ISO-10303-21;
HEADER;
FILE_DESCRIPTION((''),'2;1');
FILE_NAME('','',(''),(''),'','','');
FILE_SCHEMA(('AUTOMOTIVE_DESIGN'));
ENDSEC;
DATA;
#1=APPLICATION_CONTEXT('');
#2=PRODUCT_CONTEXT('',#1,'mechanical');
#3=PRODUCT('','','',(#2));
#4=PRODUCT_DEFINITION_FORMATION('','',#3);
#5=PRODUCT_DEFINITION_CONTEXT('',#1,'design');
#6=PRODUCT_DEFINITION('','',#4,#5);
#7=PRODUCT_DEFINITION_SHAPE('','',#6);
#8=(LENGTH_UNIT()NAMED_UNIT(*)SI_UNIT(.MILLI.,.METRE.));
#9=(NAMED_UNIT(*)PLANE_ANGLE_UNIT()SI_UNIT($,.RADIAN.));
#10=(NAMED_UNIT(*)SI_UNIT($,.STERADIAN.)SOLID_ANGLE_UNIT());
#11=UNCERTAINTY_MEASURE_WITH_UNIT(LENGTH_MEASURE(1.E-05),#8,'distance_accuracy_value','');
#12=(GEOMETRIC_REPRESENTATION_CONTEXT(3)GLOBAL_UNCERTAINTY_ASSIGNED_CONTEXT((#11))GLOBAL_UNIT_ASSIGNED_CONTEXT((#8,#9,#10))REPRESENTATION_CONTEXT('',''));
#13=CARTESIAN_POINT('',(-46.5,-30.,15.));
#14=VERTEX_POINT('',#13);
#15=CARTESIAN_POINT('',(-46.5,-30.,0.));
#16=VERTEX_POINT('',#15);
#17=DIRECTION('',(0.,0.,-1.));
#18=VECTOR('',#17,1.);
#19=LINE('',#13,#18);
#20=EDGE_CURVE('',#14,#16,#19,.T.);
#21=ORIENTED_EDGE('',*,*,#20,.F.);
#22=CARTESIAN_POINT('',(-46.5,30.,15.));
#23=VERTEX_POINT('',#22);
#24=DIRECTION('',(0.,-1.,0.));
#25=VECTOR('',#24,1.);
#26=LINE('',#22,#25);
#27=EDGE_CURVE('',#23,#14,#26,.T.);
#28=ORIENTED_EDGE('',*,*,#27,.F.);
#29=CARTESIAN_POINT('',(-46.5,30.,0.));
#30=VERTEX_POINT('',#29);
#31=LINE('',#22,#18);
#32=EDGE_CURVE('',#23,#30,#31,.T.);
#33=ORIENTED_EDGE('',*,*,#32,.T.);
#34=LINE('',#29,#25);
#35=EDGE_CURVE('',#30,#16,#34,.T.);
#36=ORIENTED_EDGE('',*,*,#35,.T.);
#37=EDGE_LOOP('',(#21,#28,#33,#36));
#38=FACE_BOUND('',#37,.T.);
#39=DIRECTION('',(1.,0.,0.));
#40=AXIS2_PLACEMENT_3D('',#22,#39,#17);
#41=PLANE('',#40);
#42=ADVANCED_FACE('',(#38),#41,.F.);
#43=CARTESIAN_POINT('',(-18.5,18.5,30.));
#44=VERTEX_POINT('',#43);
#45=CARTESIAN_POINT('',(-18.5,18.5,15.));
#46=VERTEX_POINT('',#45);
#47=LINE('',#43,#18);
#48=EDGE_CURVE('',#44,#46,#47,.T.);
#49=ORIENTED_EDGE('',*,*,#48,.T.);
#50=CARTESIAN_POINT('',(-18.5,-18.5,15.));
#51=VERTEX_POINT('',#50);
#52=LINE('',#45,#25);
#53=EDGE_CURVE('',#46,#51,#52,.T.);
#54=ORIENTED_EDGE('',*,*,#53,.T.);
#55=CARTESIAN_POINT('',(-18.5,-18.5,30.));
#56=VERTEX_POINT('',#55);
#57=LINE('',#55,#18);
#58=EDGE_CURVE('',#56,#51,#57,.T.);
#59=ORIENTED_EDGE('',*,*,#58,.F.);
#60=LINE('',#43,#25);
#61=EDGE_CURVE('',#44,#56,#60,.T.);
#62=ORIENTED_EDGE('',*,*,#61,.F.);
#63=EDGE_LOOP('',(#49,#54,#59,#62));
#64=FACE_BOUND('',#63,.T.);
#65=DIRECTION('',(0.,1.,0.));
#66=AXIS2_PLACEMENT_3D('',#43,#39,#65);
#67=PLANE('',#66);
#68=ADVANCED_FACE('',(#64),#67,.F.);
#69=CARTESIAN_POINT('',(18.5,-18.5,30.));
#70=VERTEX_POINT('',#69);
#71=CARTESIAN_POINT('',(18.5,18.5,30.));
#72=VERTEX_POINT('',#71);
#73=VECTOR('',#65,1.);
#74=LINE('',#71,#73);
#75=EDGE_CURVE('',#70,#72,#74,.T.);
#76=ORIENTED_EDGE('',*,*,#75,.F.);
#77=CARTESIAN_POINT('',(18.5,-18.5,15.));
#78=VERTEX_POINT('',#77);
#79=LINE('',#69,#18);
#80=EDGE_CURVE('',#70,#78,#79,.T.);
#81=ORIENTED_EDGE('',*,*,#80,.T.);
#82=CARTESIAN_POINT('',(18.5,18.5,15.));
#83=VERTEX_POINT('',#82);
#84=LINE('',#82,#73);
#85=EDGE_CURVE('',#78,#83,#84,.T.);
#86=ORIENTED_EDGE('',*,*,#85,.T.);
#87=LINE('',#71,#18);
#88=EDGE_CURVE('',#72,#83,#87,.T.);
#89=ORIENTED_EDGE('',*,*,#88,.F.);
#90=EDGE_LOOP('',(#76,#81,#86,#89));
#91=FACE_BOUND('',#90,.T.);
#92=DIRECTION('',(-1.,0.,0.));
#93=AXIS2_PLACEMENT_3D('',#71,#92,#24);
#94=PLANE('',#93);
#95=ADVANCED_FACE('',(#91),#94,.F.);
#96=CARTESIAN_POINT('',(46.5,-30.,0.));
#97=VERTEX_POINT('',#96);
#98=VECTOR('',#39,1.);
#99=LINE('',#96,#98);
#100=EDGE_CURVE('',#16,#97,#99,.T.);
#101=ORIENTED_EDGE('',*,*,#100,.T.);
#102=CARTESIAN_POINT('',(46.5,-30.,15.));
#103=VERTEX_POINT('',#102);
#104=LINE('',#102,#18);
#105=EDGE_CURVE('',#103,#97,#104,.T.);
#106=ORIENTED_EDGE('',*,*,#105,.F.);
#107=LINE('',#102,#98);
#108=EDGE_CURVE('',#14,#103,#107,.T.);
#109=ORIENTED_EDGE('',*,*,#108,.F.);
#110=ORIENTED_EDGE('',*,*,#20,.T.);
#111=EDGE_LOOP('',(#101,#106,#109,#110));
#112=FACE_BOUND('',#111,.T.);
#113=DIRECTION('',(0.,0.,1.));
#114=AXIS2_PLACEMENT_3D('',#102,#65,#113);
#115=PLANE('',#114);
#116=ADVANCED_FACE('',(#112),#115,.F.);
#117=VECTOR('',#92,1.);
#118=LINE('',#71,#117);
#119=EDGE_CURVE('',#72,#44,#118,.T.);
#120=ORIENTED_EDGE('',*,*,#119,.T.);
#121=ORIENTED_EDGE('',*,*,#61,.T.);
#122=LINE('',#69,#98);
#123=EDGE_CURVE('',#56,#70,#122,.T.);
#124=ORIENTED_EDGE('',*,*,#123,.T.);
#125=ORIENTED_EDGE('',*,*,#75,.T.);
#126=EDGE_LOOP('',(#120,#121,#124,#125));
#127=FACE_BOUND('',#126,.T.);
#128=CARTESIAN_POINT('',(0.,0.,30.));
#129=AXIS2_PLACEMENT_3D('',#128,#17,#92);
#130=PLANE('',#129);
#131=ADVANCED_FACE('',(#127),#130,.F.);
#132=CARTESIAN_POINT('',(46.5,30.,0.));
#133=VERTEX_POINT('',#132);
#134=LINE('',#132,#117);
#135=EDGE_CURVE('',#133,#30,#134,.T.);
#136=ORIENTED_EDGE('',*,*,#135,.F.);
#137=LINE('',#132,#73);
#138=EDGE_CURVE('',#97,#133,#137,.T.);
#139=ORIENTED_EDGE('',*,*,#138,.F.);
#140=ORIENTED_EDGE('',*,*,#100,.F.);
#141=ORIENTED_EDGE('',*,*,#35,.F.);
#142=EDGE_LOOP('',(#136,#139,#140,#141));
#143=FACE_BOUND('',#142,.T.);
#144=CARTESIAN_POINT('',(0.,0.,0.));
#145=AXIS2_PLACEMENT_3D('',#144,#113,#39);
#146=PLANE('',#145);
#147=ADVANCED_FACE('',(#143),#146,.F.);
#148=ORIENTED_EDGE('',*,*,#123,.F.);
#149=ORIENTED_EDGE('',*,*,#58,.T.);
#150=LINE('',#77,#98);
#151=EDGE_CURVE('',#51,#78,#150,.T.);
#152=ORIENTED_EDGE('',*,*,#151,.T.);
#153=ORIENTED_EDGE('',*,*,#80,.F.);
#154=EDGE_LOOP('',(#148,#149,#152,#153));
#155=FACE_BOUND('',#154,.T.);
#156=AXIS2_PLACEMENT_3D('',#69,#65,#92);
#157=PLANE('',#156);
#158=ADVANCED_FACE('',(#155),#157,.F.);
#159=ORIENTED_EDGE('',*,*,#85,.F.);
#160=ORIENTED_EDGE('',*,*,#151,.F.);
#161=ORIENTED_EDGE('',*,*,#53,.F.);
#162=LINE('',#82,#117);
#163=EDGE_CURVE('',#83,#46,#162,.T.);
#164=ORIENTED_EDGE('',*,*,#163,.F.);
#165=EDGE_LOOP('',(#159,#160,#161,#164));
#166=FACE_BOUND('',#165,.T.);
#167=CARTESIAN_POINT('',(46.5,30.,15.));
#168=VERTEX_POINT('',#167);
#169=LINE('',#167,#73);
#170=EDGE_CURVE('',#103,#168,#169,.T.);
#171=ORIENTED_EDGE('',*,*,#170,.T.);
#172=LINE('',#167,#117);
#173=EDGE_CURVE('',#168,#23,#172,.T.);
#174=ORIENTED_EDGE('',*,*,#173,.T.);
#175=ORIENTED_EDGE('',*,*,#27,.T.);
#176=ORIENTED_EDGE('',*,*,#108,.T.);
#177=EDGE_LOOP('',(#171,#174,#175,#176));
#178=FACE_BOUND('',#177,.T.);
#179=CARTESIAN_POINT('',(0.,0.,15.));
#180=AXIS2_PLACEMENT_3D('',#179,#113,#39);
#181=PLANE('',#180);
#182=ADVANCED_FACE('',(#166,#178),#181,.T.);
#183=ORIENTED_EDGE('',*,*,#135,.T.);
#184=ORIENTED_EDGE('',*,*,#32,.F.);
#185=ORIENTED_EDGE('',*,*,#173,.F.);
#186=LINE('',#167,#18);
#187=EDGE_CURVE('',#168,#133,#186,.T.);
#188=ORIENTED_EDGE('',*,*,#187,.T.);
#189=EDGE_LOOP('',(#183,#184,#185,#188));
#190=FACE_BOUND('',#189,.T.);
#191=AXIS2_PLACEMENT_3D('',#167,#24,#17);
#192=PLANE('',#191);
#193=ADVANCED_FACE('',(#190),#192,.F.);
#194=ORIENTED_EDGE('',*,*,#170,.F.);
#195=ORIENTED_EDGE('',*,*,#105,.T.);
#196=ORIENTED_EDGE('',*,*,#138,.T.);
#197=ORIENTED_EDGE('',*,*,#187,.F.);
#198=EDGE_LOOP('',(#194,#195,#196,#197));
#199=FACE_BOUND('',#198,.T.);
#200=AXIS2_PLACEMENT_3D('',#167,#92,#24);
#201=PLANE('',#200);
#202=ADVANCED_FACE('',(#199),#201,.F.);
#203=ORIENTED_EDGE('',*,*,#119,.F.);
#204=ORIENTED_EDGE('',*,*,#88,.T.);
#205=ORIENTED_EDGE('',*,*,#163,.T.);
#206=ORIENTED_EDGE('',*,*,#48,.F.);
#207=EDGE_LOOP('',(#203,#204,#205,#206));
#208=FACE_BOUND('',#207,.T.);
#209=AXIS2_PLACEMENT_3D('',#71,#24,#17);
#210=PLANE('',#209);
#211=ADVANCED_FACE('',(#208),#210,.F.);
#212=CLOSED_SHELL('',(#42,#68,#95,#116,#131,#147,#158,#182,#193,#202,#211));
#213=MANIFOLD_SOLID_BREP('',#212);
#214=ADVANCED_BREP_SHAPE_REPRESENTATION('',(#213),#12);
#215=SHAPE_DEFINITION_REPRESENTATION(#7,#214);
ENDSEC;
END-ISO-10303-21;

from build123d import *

# Parameters (mm, degrees)
SKETCH1_W           = 60
SKETCH1_H           = 93
BOSS_EXTRUDE1_DEPTH = 15
SKETCH2_W           = 37
SKETCH2_H           = 37
BOSS_EXTRUDE2_DEPTH = 15


with BuildPart() as part:
    # Sketch1 → Boss-Extrude1 (new body)
    with BuildSketch(Plane(origin=(0, 0, 0), x_dir=(0, 1, 0), z_dir=(0, 0, 1))):
        Rectangle(SKETCH1_W, SKETCH1_H)
    extrude(amount=BOSS_EXTRUDE1_DEPTH)

    # Sketch2 → Boss-Extrude2 (add)
    with BuildSketch(Plane.XY.offset(15)):
        Rectangle(SKETCH2_W, SKETCH2_H)
    extrude(amount=BOSS_EXTRUDE2_DEPTH)


solid = part.part
